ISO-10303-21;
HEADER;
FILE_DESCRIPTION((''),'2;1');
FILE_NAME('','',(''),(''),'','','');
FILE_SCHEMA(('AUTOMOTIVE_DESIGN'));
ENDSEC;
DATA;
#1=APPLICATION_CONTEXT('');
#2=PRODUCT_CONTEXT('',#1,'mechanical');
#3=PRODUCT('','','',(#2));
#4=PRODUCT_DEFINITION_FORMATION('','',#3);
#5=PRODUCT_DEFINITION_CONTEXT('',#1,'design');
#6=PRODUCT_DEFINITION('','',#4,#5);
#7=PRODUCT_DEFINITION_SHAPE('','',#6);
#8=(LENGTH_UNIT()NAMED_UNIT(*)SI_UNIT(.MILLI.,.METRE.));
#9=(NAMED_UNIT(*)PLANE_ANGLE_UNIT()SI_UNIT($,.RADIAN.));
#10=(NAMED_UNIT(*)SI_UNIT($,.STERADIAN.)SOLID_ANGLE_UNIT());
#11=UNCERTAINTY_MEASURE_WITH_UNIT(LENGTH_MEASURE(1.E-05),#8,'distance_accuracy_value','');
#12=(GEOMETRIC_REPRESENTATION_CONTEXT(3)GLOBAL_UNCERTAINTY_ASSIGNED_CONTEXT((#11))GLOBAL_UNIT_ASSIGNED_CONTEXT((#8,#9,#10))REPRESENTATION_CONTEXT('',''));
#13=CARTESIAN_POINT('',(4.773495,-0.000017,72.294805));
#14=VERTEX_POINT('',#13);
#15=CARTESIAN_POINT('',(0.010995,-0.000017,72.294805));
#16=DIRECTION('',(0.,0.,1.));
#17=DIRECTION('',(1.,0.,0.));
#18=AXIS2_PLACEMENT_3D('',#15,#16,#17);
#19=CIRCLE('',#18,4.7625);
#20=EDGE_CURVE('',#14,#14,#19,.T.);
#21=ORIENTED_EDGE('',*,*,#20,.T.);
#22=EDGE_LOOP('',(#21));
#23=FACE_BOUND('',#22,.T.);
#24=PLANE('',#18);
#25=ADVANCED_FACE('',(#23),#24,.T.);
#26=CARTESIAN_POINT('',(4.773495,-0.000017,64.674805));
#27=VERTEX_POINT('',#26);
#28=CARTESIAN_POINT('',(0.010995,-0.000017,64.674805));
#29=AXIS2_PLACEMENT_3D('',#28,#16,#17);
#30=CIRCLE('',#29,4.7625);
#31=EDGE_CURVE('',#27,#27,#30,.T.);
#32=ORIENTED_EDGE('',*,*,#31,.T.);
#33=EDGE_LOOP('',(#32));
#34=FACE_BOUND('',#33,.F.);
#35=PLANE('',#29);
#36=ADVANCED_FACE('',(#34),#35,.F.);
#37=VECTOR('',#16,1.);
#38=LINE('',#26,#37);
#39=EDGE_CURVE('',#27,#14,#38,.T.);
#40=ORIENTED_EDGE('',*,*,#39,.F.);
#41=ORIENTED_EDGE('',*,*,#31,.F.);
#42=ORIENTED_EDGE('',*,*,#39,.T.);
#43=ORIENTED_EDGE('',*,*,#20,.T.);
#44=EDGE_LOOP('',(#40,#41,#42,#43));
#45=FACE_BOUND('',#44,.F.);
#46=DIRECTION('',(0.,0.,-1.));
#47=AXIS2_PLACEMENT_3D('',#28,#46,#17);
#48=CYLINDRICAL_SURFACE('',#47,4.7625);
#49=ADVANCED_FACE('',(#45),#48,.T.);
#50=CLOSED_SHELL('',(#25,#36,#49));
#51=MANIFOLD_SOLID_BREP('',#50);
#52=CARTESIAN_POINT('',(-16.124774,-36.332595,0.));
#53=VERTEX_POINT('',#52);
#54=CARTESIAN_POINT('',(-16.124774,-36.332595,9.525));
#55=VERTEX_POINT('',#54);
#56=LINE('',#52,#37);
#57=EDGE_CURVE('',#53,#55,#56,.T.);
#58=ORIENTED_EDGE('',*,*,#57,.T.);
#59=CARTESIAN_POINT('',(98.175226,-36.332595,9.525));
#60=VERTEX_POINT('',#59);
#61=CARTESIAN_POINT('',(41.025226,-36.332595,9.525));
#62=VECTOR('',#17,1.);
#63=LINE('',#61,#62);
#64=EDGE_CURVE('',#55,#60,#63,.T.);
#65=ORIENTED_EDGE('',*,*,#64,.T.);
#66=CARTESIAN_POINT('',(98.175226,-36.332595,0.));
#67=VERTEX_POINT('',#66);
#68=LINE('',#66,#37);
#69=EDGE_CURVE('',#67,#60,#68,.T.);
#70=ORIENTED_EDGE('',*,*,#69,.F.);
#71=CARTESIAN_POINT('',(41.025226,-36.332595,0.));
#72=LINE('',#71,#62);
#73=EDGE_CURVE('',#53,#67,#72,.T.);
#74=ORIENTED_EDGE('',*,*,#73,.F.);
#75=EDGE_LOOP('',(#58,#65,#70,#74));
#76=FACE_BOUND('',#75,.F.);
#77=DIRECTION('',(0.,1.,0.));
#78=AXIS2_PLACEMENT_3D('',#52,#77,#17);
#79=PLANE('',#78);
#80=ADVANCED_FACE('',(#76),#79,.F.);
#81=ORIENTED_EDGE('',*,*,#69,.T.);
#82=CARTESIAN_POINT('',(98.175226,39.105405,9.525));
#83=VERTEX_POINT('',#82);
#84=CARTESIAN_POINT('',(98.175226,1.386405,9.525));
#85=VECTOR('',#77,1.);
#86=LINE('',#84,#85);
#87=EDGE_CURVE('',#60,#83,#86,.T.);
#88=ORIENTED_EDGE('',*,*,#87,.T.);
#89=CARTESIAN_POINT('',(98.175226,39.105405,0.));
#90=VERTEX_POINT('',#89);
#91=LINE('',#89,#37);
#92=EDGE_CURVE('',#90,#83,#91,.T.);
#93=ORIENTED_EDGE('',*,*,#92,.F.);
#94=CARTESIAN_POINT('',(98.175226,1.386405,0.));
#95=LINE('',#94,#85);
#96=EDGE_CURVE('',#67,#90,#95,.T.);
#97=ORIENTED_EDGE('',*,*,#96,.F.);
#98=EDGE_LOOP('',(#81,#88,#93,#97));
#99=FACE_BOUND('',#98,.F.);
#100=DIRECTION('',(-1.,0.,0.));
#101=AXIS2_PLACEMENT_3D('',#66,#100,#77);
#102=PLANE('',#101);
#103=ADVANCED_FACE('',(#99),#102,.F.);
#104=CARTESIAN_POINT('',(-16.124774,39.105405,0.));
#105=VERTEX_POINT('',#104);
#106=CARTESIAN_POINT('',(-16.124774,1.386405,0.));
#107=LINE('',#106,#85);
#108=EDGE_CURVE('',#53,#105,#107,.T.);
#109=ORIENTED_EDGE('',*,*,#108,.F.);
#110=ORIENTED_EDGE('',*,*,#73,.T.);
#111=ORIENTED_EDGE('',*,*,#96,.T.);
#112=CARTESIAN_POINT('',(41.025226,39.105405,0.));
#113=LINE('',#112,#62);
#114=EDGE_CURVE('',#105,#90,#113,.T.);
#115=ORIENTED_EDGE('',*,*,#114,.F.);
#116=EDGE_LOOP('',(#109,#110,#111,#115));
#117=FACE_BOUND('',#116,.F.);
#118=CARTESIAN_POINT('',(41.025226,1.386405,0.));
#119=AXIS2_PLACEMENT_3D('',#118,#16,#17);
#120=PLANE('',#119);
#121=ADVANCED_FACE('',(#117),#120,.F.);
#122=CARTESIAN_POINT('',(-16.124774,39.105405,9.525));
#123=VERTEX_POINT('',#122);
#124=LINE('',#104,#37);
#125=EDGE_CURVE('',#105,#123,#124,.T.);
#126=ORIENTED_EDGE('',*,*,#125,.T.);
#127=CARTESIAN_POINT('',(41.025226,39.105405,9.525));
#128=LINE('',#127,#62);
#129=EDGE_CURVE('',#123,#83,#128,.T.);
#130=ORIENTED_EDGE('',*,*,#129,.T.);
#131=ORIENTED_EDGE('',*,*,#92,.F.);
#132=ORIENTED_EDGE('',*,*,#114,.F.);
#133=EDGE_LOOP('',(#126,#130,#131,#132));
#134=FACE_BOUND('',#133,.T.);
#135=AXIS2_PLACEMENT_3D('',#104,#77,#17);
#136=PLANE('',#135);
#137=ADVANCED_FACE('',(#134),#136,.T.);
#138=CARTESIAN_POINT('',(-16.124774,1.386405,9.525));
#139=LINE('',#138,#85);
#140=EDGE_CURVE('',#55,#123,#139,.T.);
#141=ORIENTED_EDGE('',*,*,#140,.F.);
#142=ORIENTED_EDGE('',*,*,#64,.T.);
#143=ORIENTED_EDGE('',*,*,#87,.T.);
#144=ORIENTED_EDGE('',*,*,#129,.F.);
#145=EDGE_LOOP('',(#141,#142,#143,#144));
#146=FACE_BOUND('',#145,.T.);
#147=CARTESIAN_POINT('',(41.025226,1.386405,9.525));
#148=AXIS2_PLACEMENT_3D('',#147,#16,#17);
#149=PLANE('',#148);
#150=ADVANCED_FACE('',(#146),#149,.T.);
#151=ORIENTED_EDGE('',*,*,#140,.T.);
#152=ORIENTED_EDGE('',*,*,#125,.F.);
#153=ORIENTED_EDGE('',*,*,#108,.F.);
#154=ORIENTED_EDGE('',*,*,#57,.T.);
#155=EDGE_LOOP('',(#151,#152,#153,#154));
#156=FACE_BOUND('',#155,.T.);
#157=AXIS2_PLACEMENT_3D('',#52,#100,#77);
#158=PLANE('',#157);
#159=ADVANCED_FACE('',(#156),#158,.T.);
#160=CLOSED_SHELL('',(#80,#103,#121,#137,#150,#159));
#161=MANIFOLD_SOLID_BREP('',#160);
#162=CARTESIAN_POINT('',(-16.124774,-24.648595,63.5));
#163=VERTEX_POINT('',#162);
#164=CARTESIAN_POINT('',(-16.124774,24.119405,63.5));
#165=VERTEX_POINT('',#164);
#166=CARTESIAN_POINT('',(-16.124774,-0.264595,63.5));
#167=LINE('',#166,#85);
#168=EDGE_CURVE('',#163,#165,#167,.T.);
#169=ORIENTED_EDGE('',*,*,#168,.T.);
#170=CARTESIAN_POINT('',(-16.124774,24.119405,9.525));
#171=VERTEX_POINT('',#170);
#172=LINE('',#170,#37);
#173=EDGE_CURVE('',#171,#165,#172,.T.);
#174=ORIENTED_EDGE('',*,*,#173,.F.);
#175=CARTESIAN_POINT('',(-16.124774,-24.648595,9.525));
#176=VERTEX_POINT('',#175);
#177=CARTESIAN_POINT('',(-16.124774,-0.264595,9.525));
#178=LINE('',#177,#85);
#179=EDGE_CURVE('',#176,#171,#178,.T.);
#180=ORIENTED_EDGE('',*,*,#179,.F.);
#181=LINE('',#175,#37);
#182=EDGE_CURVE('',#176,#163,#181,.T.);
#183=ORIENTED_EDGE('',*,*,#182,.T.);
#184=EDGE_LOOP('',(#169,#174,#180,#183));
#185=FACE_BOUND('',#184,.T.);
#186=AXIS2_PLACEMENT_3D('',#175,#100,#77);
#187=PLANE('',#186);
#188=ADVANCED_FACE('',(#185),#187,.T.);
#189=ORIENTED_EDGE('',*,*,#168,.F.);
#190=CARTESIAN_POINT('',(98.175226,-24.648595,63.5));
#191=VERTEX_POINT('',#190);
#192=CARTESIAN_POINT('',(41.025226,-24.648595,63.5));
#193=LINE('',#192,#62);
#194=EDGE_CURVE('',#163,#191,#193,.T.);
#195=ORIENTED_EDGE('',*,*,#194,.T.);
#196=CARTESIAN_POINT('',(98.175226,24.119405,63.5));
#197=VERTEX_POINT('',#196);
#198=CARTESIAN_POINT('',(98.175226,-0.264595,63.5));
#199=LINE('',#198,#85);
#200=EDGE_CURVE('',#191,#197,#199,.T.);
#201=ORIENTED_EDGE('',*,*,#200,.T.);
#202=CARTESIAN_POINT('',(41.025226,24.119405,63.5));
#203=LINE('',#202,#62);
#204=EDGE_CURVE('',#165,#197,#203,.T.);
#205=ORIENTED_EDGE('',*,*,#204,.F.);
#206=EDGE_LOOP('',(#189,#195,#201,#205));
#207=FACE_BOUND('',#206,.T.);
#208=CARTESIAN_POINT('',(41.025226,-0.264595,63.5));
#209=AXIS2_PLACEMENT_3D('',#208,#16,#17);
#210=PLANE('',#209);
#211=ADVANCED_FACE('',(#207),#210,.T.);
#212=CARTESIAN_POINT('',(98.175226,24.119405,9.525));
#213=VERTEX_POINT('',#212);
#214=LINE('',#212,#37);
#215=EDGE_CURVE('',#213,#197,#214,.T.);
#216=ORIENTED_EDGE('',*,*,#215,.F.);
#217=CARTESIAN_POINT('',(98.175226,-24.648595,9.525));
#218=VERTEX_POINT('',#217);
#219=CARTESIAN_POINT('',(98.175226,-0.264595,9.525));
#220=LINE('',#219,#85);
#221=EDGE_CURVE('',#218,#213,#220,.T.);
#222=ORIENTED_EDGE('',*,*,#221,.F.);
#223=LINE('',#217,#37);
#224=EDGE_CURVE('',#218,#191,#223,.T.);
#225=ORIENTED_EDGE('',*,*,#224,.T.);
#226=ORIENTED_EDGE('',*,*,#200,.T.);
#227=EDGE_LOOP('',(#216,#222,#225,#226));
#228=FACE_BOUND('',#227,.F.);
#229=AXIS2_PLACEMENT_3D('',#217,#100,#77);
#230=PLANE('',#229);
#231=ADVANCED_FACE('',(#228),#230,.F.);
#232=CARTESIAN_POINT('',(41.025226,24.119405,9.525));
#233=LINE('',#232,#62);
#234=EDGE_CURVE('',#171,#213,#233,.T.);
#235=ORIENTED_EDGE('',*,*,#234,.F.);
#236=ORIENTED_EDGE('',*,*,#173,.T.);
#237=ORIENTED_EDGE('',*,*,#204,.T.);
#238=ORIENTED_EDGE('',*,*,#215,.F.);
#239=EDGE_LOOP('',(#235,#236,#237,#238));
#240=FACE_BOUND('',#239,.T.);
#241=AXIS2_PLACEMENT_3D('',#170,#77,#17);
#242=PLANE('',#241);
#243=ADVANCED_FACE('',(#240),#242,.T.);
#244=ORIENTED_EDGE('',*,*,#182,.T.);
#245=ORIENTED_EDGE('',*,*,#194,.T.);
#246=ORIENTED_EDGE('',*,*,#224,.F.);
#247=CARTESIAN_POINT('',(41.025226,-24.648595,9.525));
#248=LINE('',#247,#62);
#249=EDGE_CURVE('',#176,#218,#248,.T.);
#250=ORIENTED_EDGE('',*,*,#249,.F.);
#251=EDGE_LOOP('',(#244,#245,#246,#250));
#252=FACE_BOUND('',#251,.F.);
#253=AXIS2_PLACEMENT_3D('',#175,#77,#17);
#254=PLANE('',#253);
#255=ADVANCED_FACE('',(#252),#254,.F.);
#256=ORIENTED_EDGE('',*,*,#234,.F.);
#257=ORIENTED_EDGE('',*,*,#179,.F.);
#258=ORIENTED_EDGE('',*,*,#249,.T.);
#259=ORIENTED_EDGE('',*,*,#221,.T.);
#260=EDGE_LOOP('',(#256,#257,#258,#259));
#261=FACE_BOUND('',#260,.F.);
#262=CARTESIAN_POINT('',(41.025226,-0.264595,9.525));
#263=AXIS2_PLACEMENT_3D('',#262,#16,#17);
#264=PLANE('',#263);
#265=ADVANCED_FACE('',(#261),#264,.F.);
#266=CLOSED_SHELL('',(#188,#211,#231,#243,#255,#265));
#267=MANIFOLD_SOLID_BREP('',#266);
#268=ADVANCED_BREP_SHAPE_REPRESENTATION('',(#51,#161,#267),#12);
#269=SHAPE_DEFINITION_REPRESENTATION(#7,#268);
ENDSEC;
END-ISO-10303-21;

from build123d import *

# Parameters (mm, degrees)
BOX_W          = 114.3
BOX_H          = 75.438
BOX_DEPTH      = 9.525
BOX001_W       = 114.3
BOX001_H       = 48.768
BOX001_DEPTH   = 53.975
CYLINDER_R     = 4.7625
CYLINDER_DEPTH = 7.62


with BuildPart() as cube:
    # Box → Box (new body)
    with BuildSketch(Plane(origin=(-16.124774, -36.332595, 0), x_dir=(1, 0, 0), z_dir=(0, 0, 1))):
        with Locations((57.15, 37.719)):
            Rectangle(BOX_W, BOX_H)
    extrude(amount=BOX_DEPTH)


with BuildPart() as cube001:
    # Box001 → Box001 (new body)
    with BuildSketch(Plane(origin=(-16.124774, -24.648595, 9.525), x_dir=(1, 0, 0), z_dir=(0, 0, 1))):
        with Locations((57.15, 24.384)):
            Rectangle(BOX001_W, BOX001_H)
    extrude(amount=BOX001_DEPTH)


with BuildPart() as cylinder:
    # Cylinder → Cylinder (new body)
    with BuildSketch(Plane(origin=(0.010995, -1.7e-05, 64.674805), x_dir=(1, 0, 0), z_dir=(0, 0, 1))):
        Circle(CYLINDER_R)
    extrude(amount=CYLINDER_DEPTH)


solid = Compound([cube.part, cube001.part, cylinder.part])
